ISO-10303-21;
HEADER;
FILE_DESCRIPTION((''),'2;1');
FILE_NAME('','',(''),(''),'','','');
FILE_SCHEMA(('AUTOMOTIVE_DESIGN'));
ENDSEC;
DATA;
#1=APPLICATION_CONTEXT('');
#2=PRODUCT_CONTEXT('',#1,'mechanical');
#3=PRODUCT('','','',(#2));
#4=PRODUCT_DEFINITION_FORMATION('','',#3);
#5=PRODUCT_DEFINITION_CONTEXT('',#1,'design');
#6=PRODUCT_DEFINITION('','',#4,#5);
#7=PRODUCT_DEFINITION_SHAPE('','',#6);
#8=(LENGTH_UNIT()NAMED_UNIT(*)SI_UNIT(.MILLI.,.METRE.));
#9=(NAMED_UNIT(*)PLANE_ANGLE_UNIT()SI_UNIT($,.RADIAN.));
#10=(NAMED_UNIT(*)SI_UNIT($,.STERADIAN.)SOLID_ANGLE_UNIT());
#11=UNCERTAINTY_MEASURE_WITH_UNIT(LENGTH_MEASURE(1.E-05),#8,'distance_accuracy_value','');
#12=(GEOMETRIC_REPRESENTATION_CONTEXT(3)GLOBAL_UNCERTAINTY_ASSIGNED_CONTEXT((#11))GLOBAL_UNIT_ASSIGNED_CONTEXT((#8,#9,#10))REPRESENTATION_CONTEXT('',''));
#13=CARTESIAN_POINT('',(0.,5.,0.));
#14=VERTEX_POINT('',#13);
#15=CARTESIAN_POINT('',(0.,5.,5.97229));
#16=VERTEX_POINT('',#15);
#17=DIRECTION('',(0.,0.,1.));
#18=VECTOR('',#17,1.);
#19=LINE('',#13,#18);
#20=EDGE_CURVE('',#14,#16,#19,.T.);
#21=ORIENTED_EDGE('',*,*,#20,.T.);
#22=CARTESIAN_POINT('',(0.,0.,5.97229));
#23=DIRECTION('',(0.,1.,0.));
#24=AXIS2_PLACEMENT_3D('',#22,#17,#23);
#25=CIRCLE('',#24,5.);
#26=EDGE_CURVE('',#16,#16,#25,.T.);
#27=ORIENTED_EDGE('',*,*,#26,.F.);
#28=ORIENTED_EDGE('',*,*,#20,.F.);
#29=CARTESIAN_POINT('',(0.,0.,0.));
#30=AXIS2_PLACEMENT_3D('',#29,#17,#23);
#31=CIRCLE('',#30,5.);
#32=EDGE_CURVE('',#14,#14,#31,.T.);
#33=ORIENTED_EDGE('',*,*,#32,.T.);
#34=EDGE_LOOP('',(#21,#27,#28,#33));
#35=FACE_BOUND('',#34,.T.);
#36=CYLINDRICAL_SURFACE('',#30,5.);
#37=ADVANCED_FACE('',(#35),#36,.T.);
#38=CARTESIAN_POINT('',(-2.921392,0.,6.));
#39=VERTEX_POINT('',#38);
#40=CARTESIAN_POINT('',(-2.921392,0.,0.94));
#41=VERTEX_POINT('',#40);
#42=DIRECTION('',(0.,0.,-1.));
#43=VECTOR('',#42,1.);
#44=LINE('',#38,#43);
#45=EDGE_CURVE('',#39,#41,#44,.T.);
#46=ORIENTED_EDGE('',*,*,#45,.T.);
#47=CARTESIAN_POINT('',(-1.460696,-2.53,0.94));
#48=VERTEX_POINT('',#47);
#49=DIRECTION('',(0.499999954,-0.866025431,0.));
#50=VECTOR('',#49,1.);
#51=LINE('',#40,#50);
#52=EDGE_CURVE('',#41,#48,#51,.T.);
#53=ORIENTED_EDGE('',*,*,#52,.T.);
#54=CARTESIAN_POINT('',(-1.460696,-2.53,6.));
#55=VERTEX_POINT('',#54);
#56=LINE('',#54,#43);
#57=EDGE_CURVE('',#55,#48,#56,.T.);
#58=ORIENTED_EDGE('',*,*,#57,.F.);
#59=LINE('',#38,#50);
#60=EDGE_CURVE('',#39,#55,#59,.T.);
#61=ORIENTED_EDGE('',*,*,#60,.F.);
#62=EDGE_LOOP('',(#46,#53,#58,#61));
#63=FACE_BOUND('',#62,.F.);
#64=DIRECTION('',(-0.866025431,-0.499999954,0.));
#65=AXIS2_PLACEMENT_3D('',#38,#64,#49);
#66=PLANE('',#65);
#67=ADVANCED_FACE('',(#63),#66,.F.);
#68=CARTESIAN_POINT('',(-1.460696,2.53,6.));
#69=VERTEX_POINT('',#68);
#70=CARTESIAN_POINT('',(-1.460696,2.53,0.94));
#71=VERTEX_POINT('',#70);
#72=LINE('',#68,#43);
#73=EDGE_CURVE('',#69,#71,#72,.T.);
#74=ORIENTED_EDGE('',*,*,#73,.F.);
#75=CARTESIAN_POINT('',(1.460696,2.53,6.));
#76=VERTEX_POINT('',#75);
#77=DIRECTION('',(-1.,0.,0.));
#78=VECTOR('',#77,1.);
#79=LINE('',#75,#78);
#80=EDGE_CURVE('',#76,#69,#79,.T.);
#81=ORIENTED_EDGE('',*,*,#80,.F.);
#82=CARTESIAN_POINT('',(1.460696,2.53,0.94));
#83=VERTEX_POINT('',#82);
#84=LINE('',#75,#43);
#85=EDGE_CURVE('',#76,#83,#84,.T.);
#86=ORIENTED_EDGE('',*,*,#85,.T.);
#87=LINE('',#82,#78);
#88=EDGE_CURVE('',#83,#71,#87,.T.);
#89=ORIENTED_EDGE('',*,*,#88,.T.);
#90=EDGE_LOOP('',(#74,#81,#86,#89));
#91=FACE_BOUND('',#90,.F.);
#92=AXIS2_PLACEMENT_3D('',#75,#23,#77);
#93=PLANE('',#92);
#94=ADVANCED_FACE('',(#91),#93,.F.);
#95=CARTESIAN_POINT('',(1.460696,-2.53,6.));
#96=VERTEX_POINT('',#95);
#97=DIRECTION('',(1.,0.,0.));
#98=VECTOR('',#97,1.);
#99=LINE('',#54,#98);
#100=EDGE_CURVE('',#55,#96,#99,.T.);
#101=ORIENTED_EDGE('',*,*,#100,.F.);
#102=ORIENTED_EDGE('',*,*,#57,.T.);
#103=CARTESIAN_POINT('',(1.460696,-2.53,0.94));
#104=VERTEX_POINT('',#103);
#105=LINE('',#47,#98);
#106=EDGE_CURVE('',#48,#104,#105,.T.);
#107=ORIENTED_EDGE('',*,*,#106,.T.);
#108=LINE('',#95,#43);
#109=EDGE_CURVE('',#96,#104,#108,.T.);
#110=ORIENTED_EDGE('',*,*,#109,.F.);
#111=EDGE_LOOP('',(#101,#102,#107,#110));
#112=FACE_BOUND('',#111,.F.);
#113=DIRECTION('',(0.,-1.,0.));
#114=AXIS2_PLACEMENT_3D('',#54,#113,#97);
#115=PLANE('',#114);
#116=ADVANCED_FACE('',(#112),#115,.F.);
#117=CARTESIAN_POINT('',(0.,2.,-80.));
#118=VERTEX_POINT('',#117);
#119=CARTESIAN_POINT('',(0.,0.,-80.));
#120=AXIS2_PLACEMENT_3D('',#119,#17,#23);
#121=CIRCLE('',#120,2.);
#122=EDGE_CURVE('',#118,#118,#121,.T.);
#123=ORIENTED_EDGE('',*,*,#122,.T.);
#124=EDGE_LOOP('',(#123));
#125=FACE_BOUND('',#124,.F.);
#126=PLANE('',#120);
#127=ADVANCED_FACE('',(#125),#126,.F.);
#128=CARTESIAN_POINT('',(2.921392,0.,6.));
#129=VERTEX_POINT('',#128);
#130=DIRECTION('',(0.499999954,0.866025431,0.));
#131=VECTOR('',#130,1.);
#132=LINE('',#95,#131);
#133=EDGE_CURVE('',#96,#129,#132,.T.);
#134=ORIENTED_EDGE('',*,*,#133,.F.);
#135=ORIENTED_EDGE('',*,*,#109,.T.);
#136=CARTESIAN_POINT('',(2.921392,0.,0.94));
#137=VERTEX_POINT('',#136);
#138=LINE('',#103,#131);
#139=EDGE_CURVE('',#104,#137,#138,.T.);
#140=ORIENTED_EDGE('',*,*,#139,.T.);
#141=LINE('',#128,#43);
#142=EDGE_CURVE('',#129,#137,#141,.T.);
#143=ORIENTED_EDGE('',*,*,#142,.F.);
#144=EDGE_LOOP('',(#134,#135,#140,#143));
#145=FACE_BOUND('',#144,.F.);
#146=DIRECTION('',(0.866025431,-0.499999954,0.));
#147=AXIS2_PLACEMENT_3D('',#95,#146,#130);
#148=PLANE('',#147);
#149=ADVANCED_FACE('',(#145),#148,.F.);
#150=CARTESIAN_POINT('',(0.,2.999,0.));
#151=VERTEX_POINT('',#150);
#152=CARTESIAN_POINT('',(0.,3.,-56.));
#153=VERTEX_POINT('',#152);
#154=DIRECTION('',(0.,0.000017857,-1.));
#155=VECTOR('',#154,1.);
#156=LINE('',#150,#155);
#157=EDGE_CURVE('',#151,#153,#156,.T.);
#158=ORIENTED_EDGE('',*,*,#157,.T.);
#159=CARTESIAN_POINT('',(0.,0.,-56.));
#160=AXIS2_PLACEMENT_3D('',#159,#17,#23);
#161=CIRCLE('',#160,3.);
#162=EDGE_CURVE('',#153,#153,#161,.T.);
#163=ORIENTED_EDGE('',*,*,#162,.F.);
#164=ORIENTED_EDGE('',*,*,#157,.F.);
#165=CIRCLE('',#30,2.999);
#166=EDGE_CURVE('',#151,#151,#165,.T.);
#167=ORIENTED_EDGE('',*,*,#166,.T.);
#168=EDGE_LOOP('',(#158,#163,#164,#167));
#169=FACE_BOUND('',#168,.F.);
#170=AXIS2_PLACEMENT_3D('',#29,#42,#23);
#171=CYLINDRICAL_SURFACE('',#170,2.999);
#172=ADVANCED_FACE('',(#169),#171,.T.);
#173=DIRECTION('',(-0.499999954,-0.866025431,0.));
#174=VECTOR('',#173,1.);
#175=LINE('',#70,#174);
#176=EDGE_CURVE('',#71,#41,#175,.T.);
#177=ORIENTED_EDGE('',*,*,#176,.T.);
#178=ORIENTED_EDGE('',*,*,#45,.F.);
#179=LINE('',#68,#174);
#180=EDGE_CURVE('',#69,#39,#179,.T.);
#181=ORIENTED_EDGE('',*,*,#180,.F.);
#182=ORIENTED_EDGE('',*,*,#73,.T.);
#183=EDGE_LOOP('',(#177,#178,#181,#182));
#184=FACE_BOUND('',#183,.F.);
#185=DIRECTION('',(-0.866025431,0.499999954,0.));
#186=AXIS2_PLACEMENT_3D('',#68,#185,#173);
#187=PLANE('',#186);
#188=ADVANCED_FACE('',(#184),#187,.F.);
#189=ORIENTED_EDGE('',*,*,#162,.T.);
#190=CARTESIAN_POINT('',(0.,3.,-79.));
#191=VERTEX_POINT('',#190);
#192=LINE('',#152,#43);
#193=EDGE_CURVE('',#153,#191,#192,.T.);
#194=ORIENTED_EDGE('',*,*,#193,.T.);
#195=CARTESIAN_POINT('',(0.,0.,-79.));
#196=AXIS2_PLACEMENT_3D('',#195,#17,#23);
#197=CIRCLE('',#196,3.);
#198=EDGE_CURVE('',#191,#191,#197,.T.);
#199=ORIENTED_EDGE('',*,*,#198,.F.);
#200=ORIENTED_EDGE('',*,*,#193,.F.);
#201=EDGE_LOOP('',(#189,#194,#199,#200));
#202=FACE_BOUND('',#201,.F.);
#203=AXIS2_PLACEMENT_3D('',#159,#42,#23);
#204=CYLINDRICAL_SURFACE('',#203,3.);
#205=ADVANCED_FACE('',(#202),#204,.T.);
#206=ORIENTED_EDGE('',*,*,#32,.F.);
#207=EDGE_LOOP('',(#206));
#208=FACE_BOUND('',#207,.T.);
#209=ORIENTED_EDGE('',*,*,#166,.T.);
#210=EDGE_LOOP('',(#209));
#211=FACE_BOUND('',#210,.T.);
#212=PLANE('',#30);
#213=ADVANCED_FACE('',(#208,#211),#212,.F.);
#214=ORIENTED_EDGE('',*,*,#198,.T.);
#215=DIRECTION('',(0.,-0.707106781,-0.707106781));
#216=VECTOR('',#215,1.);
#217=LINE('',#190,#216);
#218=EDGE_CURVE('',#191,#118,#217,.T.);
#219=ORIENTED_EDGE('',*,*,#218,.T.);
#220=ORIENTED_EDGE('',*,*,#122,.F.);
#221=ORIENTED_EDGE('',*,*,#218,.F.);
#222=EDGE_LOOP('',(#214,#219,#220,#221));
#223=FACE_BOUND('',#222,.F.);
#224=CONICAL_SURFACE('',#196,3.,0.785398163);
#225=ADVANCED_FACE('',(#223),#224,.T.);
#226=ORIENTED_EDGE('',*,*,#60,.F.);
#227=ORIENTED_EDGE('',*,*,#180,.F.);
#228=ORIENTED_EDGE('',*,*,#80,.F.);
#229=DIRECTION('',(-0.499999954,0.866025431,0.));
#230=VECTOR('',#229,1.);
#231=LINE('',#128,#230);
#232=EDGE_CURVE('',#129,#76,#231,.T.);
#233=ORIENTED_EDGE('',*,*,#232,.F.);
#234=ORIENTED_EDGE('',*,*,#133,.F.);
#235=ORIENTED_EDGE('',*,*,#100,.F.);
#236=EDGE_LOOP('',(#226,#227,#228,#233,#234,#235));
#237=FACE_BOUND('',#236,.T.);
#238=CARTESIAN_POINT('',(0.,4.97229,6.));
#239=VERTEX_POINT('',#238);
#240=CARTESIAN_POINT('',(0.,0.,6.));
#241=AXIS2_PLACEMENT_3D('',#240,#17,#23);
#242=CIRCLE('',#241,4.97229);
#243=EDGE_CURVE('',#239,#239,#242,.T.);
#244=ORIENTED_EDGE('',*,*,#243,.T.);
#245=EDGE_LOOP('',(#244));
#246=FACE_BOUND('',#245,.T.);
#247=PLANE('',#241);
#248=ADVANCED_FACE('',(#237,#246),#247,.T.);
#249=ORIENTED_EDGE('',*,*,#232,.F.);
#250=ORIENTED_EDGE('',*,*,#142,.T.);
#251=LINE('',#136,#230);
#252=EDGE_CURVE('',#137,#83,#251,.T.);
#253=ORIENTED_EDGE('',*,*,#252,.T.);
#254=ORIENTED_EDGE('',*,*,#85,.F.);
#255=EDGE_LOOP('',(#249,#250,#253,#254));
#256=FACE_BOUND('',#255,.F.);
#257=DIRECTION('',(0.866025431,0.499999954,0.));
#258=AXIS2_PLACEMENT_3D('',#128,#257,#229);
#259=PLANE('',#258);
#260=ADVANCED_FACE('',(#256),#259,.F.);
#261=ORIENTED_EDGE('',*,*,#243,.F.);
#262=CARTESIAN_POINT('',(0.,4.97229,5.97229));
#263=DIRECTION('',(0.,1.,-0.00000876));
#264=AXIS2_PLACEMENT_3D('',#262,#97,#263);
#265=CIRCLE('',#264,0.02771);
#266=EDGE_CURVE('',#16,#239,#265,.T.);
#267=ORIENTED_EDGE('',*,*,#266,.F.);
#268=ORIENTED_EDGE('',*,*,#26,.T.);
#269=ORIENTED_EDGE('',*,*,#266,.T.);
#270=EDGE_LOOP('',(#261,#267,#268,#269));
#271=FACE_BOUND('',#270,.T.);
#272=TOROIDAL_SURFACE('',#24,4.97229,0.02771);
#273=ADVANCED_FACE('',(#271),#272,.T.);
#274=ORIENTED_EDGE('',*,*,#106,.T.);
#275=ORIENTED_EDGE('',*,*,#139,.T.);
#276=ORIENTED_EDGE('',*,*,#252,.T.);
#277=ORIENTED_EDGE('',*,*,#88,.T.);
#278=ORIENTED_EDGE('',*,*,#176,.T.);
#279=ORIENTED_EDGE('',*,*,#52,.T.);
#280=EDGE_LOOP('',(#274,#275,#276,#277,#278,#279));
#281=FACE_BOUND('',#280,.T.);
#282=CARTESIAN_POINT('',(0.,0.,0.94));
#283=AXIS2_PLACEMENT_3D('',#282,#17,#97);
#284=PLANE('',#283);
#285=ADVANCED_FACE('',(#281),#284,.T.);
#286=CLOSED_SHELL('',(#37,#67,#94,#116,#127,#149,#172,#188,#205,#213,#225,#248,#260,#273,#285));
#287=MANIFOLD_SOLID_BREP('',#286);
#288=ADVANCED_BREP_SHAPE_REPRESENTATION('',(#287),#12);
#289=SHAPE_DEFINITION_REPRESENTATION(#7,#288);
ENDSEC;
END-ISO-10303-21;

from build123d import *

# Parameters (mm, degrees)
POCKET_DEPTH = 5.06


with BuildPart() as part:
    # Sketch → Revolve (revolve)
    with BuildSketch(Plane.YZ):
        with BuildLine():
            Line((2.999, 0), (5, 0))
            Line((5, 0), (5, 5.97229))
            ThreePointArc((5, 5.97229), (4.991884, 5.991884), (4.97229, 6))
            Line((4.97229, 6), (0, 6))
            Line((0, -80), (0, 6))
            Line((2, -80), (0, -80))
            Line((3, -79), (2, -80))
            Line((3, -56), (3, -79))
            Line((2.999, 0), (3, -56))
        make_face()
    revolve(axis=Axis((0, 0, 0), (0, 0, 1)))

    # Sketch001 → Pocket (cut)
    with BuildSketch(Plane.XY.offset(6)):
        Polygon((2.921392, 0), (1.460696, 2.53), (-1.460696, 2.53), (-2.921392, 0), (-1.460696, -2.53), (1.460696, -2.53), align=None)
    extrude(amount=-POCKET_DEPTH, mode=Mode.SUBTRACT)


solid = part.part
